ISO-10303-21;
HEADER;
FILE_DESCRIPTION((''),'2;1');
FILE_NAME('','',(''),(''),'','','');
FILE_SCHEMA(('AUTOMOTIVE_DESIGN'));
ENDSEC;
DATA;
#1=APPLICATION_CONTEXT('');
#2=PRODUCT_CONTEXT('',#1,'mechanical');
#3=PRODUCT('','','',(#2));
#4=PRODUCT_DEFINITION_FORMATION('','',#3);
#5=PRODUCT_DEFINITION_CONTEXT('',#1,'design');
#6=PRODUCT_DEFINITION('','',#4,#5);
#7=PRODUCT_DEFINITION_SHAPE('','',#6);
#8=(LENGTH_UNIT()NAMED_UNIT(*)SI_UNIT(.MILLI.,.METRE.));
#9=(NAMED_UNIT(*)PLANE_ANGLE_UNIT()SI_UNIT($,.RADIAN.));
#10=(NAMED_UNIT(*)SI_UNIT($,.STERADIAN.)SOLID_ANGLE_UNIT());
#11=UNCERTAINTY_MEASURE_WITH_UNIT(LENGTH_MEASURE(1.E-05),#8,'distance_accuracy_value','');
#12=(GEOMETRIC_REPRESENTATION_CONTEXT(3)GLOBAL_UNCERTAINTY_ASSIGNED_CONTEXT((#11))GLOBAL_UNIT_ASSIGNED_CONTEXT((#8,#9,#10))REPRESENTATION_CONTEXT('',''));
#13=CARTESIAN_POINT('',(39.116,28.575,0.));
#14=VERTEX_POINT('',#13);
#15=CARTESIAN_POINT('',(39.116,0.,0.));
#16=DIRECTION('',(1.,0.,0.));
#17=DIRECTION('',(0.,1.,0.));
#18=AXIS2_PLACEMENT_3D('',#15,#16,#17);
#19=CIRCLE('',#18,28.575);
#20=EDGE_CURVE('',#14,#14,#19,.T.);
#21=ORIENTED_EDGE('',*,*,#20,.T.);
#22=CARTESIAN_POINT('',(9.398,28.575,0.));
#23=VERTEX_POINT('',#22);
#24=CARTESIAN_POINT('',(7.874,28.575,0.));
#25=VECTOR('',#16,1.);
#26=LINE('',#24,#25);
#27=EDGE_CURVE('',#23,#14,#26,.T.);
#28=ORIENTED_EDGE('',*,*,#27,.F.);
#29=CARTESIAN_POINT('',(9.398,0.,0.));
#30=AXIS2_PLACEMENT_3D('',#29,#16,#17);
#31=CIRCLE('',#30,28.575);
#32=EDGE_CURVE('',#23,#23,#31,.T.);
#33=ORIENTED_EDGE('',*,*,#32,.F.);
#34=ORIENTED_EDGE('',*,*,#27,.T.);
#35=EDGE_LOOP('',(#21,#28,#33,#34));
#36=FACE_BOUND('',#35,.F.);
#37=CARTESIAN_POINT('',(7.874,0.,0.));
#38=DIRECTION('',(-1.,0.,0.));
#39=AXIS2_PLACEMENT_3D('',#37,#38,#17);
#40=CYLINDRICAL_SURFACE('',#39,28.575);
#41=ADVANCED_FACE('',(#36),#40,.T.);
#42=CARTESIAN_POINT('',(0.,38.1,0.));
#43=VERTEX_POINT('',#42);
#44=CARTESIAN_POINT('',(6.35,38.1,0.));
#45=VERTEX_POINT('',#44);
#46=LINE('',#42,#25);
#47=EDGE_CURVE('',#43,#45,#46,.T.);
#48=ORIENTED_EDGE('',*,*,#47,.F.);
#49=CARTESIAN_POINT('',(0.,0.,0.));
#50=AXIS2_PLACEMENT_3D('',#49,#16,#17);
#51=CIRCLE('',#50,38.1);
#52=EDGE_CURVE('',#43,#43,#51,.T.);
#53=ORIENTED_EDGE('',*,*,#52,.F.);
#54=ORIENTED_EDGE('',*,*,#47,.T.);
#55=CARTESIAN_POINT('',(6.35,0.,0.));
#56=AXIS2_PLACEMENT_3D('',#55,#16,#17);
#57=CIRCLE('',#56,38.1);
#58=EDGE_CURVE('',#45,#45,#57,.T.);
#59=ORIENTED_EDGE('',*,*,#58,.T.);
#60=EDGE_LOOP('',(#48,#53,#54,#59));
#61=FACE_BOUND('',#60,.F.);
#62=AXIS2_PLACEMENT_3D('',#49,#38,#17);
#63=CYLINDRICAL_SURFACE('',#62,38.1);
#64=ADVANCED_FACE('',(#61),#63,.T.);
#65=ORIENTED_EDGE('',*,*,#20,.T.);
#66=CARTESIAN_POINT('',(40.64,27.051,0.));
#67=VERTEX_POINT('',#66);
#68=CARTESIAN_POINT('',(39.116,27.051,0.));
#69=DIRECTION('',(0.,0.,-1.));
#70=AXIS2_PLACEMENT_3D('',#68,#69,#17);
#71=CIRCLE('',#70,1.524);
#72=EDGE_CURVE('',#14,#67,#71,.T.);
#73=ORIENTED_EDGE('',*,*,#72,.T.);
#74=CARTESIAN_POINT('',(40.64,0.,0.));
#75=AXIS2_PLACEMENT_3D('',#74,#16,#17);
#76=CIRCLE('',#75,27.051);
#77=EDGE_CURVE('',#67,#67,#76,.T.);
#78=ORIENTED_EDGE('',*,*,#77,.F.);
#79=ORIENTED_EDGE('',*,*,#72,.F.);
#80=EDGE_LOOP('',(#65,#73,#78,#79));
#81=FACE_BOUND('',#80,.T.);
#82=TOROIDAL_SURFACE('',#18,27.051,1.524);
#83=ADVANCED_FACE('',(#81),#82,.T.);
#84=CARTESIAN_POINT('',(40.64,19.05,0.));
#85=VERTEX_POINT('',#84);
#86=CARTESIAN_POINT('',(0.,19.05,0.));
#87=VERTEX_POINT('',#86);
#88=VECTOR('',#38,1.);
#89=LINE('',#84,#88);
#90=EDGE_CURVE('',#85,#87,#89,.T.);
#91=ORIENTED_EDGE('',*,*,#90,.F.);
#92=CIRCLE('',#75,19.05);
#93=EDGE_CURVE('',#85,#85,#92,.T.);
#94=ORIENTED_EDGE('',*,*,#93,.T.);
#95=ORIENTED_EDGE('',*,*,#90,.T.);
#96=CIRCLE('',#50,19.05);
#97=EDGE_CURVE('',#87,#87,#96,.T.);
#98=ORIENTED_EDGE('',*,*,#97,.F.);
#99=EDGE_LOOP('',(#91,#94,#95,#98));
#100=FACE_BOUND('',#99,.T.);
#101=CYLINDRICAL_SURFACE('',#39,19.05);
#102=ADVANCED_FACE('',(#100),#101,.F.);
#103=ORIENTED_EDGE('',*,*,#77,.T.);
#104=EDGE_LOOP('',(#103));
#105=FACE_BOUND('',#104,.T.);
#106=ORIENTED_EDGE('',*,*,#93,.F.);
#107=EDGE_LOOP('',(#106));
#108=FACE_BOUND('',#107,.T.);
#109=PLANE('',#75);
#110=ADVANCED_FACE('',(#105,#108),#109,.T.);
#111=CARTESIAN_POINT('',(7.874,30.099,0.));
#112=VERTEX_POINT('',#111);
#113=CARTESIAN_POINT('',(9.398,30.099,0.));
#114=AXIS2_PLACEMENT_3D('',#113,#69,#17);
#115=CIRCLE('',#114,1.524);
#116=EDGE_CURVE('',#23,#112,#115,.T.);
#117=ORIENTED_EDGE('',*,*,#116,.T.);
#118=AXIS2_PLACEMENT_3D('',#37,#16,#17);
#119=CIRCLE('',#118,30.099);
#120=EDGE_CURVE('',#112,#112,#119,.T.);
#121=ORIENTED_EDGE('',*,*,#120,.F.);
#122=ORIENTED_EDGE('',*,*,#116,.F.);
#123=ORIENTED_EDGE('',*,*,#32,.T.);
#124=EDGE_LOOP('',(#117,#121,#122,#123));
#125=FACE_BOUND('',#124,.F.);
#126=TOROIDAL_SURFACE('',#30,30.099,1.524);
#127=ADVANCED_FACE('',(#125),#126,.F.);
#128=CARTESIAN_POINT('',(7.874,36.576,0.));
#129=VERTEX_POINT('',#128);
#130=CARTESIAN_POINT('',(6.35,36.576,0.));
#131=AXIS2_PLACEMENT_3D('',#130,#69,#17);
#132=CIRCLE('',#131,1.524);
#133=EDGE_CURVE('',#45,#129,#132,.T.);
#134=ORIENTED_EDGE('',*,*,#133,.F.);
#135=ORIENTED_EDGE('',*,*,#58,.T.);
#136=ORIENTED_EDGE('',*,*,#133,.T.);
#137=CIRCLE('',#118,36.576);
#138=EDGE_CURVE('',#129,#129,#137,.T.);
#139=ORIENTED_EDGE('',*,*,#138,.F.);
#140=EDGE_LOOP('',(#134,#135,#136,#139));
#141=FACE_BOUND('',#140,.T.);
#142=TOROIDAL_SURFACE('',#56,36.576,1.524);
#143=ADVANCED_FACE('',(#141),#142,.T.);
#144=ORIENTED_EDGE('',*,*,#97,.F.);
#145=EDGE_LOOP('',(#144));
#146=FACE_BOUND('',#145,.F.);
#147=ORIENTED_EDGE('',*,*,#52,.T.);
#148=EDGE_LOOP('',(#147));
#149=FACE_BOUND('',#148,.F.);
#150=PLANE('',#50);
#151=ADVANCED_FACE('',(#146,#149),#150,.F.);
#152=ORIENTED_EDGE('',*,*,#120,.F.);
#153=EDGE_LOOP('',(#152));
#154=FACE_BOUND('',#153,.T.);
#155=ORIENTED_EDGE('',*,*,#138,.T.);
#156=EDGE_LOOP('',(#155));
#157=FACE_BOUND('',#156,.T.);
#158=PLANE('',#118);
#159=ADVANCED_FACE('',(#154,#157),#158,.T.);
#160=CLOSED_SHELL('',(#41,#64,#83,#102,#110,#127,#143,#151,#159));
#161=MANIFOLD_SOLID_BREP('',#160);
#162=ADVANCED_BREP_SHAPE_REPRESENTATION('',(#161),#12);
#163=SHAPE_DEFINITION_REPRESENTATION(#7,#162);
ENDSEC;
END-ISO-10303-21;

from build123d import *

# Parameters (mm, degrees)
F0_R     = 38.1
F0_R_2   = 19.05
F1_DEPTH = 7.874
F2_R     = 28.575
F2_R_2   = 19.05
F3_DEPTH = 32.766
F4_R     = 1.524


with BuildPart() as f1:
    # F0 (on Right) → F1 (new body)
    with BuildSketch(Plane.YZ):
        Circle(F0_R)
        Circle(F0_R_2, mode=Mode.SUBTRACT)
    extrude(amount=F1_DEPTH)

    # F2 (on face) → F3 (join)
    with BuildSketch(Plane.YZ.offset(7.874)):
        Circle(F2_R)
        Circle(F2_R_2, mode=Mode.SUBTRACT)
    extrude(amount=F3_DEPTH)

    # F4
    f4_edges = [f1.edges().sort_by_distance(p)[0] for p in [
        (7.874, -38.1, 0),
        (7.874, -28.575, 0),
        (40.64, -28.575, 0),
    ]]
    fillet(f4_edges, radius=F4_R)


solid = f1.part
